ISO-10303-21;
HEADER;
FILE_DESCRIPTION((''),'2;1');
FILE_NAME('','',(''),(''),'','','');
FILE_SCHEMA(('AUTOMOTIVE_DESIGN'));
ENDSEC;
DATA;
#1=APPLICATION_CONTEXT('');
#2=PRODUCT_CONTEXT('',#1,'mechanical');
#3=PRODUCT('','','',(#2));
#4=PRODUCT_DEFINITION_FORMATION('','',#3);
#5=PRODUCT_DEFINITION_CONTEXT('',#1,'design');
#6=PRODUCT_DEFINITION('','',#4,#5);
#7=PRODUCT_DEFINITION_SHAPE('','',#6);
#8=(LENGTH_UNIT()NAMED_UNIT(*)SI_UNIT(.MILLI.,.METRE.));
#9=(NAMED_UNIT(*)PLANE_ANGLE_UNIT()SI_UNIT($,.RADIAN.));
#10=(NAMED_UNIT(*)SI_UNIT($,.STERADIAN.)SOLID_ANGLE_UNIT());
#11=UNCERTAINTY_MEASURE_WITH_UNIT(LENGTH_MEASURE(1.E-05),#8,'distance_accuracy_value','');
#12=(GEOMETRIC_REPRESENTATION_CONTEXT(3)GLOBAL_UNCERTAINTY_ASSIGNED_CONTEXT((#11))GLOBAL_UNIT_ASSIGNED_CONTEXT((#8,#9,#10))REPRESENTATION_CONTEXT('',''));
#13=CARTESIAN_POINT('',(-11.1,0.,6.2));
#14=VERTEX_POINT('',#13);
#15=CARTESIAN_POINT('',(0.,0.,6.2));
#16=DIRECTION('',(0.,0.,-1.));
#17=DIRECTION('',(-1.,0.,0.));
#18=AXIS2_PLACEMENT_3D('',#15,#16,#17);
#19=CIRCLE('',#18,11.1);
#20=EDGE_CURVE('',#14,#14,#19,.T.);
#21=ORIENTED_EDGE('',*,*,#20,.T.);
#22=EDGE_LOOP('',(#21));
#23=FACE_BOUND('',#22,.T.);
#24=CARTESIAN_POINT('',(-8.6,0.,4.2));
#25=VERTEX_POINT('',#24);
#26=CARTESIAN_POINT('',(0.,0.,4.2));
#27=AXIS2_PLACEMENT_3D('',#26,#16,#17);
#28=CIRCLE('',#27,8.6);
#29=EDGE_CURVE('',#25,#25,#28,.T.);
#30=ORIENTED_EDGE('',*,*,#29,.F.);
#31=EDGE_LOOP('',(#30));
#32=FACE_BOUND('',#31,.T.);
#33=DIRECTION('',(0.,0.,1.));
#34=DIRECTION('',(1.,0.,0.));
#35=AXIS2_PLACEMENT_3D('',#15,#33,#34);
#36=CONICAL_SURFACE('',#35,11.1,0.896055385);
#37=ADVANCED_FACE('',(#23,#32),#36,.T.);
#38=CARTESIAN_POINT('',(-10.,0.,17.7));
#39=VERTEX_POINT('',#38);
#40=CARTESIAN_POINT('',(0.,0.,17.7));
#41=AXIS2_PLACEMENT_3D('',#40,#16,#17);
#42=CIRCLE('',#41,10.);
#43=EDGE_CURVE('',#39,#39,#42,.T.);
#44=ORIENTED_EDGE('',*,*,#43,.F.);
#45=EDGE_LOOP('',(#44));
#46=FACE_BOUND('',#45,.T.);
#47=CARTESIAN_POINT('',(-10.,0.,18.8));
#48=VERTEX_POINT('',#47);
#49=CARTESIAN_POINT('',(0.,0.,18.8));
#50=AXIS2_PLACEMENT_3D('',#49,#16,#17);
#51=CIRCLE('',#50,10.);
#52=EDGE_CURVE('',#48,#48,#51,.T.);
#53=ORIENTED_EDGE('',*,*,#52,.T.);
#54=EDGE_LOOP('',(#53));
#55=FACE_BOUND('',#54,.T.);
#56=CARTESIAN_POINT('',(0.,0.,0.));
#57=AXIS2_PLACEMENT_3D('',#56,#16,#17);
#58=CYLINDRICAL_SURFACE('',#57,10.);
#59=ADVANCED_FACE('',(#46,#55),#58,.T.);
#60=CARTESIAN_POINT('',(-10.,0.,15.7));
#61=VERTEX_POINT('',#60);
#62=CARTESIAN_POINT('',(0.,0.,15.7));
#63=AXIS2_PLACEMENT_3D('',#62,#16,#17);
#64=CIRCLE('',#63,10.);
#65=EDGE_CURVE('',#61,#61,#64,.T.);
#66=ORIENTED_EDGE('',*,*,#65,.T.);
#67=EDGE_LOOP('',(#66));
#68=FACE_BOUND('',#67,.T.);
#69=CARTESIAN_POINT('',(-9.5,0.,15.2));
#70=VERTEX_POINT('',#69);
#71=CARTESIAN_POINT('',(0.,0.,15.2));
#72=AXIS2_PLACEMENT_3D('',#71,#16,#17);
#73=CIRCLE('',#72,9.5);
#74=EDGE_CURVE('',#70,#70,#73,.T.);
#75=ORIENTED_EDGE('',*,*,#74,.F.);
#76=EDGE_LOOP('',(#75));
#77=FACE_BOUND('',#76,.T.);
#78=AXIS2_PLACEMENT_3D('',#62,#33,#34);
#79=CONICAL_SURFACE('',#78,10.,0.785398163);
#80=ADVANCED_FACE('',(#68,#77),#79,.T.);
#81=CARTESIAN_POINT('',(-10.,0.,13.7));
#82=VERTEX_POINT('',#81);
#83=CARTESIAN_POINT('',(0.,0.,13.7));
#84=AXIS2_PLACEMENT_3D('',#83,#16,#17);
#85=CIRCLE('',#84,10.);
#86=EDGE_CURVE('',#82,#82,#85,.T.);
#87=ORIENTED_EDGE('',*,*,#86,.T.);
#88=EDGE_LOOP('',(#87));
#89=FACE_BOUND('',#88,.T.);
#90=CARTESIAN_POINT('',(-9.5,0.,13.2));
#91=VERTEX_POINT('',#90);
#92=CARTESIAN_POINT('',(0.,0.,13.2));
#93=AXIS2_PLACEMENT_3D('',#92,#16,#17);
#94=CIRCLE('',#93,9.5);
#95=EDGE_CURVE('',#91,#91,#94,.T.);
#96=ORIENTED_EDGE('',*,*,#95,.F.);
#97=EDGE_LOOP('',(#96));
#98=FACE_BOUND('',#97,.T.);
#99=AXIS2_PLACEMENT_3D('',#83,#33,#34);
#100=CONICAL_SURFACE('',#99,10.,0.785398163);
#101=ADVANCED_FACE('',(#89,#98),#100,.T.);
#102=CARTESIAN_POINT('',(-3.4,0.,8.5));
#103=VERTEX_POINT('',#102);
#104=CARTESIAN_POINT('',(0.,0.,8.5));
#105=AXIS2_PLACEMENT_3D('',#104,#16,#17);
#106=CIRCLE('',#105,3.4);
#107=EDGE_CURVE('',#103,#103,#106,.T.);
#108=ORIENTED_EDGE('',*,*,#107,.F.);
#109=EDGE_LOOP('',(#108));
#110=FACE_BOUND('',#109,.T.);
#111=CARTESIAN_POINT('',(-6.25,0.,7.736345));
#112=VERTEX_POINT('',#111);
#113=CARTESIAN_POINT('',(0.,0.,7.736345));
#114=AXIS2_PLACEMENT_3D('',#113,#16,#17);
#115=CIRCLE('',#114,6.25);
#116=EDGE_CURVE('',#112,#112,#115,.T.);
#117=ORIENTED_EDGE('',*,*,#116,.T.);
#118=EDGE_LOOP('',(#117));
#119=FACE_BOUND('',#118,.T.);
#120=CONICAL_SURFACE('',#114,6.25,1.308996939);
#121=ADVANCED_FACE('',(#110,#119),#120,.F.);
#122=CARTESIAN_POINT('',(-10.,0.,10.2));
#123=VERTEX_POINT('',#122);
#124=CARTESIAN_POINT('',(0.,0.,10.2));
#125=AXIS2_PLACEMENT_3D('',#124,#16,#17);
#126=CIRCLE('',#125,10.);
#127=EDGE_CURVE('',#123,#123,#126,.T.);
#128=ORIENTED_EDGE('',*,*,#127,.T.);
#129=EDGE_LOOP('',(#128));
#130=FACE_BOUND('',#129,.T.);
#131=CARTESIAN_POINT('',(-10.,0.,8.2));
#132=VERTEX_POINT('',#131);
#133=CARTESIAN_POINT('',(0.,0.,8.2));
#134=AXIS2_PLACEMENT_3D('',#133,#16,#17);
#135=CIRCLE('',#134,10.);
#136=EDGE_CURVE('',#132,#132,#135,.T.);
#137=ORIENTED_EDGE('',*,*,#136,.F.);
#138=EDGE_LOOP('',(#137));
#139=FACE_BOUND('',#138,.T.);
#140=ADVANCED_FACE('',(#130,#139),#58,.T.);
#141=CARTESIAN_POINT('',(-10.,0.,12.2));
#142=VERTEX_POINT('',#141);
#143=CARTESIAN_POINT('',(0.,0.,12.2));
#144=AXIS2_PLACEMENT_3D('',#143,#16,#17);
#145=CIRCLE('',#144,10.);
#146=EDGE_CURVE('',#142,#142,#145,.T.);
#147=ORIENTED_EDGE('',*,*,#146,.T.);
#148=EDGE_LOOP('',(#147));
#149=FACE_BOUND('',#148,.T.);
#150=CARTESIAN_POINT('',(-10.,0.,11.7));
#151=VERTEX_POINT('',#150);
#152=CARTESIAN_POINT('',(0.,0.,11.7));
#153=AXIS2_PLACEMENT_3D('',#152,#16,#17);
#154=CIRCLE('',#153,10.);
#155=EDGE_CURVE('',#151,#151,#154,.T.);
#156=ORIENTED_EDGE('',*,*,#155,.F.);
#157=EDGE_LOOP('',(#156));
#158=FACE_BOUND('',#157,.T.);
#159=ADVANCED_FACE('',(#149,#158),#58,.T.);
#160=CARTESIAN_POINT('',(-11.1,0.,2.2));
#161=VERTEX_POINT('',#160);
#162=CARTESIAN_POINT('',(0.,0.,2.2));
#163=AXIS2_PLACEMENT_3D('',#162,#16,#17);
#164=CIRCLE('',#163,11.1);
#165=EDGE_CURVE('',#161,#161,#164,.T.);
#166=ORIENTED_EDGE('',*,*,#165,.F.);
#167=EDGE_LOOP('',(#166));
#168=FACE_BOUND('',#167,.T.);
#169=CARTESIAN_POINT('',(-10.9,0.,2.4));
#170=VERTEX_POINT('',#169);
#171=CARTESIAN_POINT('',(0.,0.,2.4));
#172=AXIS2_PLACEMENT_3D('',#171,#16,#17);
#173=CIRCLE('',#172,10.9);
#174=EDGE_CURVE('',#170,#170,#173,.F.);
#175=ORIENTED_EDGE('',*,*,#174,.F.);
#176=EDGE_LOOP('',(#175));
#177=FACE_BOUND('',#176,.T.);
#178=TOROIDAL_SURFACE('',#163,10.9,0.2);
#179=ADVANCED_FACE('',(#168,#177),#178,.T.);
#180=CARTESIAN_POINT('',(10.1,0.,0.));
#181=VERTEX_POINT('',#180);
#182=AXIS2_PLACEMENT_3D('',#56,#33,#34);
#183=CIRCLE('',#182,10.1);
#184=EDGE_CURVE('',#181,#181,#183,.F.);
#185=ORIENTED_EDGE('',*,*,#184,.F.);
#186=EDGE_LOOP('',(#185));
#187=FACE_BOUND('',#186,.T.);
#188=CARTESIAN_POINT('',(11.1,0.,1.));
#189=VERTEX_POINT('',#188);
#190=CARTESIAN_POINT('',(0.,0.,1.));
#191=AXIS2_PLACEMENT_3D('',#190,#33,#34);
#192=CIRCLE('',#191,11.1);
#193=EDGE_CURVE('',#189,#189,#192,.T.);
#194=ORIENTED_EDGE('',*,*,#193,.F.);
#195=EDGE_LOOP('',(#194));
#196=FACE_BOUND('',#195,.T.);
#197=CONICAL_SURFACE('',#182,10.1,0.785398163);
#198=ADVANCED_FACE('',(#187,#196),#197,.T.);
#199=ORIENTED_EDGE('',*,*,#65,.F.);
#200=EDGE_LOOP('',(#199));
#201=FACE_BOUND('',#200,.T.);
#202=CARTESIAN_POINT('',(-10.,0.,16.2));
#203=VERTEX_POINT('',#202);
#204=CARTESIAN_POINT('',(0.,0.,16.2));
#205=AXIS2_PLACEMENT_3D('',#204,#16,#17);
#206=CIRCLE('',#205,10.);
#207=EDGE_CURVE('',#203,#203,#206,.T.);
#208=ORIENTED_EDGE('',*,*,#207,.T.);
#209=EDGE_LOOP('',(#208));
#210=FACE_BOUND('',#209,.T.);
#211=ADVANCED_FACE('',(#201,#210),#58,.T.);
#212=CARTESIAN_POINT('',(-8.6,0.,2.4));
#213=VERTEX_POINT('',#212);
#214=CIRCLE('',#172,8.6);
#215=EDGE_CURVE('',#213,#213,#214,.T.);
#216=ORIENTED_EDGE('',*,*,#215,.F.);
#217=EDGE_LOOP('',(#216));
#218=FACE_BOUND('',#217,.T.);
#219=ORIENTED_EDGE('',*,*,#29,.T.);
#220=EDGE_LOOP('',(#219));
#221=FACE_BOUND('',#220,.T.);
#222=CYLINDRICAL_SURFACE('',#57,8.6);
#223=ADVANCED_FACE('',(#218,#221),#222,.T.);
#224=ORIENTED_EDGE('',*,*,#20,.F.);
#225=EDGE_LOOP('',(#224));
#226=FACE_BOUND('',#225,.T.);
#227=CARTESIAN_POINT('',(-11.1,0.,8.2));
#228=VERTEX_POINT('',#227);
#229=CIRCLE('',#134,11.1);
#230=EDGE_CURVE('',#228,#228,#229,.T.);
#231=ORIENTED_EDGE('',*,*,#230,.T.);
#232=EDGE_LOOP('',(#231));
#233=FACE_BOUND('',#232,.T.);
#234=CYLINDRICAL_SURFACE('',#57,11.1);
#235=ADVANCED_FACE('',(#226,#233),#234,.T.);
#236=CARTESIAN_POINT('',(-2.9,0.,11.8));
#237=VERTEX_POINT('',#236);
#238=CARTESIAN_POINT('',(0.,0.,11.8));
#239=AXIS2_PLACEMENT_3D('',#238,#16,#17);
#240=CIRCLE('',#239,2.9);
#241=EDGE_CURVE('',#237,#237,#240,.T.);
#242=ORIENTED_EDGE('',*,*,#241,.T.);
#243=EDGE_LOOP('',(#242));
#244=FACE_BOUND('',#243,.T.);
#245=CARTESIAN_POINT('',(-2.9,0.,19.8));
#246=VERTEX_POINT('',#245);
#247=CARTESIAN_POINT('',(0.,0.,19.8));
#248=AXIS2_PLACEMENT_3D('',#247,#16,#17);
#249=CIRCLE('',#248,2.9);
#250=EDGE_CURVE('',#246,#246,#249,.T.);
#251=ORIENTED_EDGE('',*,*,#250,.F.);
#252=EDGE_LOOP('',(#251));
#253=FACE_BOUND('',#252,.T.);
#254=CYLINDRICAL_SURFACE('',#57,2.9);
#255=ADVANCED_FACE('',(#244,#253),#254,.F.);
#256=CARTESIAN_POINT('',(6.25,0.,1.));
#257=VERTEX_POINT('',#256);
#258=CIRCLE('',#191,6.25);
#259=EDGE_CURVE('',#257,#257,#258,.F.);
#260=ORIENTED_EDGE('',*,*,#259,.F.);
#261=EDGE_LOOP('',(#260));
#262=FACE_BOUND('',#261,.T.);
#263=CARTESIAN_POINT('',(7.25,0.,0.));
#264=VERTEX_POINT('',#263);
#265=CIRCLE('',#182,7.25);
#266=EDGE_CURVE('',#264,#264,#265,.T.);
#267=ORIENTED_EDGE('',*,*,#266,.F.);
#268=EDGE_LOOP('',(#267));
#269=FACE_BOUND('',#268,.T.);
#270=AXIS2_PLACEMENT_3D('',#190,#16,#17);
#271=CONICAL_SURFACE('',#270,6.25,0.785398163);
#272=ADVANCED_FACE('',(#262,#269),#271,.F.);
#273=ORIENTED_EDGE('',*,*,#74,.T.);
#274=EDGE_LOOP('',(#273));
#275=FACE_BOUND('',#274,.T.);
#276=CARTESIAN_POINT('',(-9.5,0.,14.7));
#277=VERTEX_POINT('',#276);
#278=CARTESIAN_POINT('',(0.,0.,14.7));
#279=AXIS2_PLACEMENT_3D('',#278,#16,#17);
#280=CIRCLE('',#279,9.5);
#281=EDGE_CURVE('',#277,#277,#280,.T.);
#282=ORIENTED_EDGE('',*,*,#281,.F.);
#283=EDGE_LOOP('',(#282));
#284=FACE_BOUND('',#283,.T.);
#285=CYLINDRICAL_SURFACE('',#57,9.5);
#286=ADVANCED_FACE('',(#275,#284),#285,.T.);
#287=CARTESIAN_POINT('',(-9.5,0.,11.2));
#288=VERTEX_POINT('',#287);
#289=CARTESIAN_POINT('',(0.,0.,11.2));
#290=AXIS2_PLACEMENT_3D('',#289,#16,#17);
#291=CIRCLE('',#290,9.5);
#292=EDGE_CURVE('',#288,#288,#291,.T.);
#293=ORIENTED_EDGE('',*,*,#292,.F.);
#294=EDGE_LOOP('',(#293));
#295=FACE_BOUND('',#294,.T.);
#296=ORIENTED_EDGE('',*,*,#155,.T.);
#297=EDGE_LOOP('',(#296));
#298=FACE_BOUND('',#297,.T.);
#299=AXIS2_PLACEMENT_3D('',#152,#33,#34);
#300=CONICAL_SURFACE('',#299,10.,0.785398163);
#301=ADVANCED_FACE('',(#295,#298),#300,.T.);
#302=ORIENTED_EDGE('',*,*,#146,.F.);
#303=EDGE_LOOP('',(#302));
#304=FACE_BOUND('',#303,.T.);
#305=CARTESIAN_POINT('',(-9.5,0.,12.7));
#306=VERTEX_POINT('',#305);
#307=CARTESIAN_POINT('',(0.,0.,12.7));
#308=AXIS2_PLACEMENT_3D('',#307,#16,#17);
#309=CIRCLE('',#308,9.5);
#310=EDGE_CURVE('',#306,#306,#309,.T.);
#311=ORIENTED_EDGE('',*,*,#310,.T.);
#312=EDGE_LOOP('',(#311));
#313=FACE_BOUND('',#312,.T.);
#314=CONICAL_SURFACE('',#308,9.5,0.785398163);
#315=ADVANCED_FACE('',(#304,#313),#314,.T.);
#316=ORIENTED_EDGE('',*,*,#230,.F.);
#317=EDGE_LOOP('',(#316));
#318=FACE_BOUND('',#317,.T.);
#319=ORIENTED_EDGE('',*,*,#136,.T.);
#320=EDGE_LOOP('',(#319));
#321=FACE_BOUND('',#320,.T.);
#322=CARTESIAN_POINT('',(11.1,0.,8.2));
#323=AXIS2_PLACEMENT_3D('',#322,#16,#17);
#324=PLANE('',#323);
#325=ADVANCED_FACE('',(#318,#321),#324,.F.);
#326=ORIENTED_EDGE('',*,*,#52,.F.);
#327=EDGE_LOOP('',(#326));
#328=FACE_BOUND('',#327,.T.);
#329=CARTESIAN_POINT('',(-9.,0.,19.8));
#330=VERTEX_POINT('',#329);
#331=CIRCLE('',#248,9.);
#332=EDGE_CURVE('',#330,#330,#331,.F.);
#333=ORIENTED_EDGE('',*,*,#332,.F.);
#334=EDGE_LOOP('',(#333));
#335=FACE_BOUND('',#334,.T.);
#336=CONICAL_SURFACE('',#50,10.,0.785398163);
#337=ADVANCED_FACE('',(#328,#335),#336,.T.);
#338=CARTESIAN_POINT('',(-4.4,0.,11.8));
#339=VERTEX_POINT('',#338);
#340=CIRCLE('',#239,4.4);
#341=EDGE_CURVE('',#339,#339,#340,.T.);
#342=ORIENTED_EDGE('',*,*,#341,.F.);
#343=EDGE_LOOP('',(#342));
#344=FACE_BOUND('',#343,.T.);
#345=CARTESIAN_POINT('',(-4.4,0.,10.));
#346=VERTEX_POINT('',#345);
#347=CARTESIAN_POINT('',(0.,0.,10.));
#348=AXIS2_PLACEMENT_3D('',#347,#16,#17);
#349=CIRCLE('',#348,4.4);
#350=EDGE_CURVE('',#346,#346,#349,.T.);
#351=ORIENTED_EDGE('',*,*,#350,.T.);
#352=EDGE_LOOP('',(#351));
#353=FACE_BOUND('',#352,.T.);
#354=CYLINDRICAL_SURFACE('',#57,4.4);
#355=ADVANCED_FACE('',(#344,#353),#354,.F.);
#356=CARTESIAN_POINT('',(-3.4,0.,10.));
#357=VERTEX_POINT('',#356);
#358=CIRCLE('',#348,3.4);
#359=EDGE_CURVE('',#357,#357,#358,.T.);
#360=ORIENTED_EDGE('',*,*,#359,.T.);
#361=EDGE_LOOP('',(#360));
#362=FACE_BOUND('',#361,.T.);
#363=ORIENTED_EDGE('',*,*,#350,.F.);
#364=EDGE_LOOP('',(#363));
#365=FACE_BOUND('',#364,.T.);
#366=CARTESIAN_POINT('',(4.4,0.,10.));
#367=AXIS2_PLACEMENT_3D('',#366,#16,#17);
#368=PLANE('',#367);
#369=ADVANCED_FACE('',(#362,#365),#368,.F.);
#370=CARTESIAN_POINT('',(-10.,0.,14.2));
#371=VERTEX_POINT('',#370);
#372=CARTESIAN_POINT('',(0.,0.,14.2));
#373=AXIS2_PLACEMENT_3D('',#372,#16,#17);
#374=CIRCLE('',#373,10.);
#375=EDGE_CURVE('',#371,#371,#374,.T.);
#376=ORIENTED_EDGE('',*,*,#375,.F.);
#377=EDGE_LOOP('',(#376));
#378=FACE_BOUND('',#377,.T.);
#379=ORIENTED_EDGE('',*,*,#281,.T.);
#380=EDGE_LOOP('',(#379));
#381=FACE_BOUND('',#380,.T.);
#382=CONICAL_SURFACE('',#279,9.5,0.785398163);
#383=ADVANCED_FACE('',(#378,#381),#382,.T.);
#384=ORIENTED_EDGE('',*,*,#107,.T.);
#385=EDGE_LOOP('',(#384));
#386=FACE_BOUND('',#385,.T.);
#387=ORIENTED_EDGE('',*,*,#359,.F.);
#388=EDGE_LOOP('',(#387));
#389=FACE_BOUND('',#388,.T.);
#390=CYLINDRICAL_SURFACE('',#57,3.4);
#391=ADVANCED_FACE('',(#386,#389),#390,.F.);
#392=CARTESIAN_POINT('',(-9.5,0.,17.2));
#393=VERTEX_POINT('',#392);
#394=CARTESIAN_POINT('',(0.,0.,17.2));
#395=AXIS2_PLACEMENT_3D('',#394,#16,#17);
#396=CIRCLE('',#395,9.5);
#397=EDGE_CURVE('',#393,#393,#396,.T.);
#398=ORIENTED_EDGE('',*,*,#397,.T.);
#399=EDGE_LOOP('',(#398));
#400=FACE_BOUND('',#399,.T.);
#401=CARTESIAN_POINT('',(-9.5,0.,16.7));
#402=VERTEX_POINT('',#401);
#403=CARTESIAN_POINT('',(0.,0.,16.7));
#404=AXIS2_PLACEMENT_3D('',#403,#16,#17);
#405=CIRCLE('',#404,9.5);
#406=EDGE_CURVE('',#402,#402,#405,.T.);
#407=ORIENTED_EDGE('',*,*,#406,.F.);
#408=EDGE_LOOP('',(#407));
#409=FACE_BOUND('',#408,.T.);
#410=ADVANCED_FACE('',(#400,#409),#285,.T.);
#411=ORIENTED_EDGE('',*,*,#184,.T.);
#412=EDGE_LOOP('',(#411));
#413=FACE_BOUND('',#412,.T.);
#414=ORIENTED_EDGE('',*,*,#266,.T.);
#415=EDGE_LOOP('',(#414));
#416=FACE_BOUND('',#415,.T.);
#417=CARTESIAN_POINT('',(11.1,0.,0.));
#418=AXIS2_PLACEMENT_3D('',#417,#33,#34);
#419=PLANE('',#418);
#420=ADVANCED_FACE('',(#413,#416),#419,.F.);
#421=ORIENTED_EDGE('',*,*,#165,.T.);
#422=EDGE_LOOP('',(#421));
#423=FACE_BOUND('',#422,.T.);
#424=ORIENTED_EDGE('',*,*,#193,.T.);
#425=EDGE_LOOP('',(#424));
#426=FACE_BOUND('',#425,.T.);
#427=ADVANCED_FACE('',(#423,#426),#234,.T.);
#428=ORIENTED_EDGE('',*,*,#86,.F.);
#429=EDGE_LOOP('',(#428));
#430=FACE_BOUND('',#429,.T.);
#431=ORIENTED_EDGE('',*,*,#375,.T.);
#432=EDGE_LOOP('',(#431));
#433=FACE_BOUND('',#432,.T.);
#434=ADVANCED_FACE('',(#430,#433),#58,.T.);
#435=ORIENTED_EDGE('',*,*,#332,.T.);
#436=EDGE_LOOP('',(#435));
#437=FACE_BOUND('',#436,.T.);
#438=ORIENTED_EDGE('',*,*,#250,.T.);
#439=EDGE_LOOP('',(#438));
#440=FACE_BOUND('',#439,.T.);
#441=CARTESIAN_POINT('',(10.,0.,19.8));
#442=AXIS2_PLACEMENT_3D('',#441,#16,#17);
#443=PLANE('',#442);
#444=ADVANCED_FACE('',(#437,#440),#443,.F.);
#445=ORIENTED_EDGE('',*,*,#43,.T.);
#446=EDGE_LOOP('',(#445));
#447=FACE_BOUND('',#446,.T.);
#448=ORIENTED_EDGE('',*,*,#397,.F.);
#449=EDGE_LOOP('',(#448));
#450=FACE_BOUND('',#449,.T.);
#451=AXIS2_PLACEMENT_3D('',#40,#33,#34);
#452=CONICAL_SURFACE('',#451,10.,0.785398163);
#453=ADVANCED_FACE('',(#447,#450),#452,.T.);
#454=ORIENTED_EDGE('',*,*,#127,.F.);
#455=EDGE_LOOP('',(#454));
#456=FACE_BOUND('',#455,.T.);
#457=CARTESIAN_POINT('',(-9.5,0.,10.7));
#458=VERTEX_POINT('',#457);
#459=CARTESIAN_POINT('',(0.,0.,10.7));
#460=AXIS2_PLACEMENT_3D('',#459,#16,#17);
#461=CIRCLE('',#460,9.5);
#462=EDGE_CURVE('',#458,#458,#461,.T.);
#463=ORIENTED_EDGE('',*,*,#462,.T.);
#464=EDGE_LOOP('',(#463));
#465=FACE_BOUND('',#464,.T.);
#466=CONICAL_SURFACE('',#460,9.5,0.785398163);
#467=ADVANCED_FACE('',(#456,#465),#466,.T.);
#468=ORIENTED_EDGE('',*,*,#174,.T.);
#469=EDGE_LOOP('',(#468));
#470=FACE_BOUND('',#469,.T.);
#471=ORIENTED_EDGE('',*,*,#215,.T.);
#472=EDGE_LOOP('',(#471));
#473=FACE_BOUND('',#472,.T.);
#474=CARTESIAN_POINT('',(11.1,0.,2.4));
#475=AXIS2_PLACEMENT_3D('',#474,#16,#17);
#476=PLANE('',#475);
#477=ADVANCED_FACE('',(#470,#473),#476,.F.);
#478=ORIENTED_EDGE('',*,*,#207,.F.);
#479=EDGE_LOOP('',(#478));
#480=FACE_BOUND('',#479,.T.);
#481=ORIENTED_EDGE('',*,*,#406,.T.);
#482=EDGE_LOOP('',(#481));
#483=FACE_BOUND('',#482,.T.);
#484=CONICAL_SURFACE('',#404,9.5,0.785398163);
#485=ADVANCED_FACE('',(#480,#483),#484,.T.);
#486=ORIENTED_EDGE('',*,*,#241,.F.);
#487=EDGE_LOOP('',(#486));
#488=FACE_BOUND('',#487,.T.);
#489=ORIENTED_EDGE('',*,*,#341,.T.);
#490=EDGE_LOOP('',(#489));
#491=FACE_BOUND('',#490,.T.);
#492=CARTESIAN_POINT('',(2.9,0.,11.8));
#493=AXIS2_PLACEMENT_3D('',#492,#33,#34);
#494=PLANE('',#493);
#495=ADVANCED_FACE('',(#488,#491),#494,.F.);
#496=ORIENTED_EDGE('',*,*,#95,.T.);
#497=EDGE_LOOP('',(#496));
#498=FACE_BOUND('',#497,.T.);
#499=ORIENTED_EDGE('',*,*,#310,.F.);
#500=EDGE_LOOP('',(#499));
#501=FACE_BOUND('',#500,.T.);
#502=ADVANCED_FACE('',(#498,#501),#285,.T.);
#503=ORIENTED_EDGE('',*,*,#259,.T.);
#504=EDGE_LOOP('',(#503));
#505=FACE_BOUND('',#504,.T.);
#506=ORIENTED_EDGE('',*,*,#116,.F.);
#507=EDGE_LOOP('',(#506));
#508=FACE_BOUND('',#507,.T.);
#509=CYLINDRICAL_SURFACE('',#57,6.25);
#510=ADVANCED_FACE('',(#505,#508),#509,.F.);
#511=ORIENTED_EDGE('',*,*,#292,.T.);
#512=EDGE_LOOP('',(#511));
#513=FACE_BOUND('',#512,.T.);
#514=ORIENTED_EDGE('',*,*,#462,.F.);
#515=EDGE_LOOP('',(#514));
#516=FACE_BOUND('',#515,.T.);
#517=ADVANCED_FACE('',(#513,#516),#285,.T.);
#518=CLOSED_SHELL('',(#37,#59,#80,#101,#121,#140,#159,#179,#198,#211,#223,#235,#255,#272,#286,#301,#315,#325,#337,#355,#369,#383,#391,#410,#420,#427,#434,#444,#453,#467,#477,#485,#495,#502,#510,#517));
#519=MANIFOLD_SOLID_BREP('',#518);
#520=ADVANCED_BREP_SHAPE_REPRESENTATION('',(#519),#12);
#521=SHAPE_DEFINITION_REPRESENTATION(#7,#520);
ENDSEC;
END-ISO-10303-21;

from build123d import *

# Parameters (mm, degrees)
CHAMFER_1_SIZE = 1
CHAMFER_2_SIZE = 1
FILLET_1_R     = 0.2


with BuildPart() as part:
    # 스케치3 → 회전2 (revolve)
    with BuildSketch(Plane(origin=(0, 0, 0), x_dir=(1, 0, 0), z_dir=(0, 1, 0)), mode=Mode.PRIVATE) as revolve_2_sk:
        Polygon((11.1, 0), (11.1, -2.4), (8.6, -2.4), (8.6, -4.2), (11.1, -6.2), (11.1, -8.2), (10, -8.2), (10, -10.2), (9.5, -10.7), (9.5, -11.2), (10, -11.7), (10, -12.2), (9.5, -12.7), (9.5, -13.2), (10, -13.7), (10, -14.2), (9.5, -14.7), (9.5, -15.2), (10, -15.7), (10, -16.2), (9.5, -16.7), (9.5, -17.2), (10, -17.7), (10, -19.8), (2.9, -19.8), (2.9, -11.8), (4.4, -11.8), (4.4, -10), (3.4, -10), (3.4, -8.5), (6.25, -7.736344802), (6.25, 0), align=None)
    revolve(revolve_2_sk.sketch.rotate(Axis((0, 0, 0), (0, 0, 1)), 180), axis=Axis((0, 0, 0), (0, 0, 1)))

    # 모따기1
    chamfer_1_edges = [part.edges().sort_by_distance(p)[0] for p in [
        (10, 0, 19.8),
        (6.25, 0, 0),
    ]]
    chamfer(chamfer_1_edges, length=CHAMFER_1_SIZE)

    # 모따기2
    chamfer_2_edges = [part.edges().sort_by_distance(p)[0] for p in [
        (11.1, 0, 0),
    ]]
    chamfer(chamfer_2_edges, length=CHAMFER_2_SIZE)

    # 필렛1
    fillet_1_edges = [part.edges().sort_by_distance(p)[0] for p in [
        (11.1, 0, 2.4),
    ]]
    fillet(fillet_1_edges, radius=FILLET_1_R)


solid = part.part
